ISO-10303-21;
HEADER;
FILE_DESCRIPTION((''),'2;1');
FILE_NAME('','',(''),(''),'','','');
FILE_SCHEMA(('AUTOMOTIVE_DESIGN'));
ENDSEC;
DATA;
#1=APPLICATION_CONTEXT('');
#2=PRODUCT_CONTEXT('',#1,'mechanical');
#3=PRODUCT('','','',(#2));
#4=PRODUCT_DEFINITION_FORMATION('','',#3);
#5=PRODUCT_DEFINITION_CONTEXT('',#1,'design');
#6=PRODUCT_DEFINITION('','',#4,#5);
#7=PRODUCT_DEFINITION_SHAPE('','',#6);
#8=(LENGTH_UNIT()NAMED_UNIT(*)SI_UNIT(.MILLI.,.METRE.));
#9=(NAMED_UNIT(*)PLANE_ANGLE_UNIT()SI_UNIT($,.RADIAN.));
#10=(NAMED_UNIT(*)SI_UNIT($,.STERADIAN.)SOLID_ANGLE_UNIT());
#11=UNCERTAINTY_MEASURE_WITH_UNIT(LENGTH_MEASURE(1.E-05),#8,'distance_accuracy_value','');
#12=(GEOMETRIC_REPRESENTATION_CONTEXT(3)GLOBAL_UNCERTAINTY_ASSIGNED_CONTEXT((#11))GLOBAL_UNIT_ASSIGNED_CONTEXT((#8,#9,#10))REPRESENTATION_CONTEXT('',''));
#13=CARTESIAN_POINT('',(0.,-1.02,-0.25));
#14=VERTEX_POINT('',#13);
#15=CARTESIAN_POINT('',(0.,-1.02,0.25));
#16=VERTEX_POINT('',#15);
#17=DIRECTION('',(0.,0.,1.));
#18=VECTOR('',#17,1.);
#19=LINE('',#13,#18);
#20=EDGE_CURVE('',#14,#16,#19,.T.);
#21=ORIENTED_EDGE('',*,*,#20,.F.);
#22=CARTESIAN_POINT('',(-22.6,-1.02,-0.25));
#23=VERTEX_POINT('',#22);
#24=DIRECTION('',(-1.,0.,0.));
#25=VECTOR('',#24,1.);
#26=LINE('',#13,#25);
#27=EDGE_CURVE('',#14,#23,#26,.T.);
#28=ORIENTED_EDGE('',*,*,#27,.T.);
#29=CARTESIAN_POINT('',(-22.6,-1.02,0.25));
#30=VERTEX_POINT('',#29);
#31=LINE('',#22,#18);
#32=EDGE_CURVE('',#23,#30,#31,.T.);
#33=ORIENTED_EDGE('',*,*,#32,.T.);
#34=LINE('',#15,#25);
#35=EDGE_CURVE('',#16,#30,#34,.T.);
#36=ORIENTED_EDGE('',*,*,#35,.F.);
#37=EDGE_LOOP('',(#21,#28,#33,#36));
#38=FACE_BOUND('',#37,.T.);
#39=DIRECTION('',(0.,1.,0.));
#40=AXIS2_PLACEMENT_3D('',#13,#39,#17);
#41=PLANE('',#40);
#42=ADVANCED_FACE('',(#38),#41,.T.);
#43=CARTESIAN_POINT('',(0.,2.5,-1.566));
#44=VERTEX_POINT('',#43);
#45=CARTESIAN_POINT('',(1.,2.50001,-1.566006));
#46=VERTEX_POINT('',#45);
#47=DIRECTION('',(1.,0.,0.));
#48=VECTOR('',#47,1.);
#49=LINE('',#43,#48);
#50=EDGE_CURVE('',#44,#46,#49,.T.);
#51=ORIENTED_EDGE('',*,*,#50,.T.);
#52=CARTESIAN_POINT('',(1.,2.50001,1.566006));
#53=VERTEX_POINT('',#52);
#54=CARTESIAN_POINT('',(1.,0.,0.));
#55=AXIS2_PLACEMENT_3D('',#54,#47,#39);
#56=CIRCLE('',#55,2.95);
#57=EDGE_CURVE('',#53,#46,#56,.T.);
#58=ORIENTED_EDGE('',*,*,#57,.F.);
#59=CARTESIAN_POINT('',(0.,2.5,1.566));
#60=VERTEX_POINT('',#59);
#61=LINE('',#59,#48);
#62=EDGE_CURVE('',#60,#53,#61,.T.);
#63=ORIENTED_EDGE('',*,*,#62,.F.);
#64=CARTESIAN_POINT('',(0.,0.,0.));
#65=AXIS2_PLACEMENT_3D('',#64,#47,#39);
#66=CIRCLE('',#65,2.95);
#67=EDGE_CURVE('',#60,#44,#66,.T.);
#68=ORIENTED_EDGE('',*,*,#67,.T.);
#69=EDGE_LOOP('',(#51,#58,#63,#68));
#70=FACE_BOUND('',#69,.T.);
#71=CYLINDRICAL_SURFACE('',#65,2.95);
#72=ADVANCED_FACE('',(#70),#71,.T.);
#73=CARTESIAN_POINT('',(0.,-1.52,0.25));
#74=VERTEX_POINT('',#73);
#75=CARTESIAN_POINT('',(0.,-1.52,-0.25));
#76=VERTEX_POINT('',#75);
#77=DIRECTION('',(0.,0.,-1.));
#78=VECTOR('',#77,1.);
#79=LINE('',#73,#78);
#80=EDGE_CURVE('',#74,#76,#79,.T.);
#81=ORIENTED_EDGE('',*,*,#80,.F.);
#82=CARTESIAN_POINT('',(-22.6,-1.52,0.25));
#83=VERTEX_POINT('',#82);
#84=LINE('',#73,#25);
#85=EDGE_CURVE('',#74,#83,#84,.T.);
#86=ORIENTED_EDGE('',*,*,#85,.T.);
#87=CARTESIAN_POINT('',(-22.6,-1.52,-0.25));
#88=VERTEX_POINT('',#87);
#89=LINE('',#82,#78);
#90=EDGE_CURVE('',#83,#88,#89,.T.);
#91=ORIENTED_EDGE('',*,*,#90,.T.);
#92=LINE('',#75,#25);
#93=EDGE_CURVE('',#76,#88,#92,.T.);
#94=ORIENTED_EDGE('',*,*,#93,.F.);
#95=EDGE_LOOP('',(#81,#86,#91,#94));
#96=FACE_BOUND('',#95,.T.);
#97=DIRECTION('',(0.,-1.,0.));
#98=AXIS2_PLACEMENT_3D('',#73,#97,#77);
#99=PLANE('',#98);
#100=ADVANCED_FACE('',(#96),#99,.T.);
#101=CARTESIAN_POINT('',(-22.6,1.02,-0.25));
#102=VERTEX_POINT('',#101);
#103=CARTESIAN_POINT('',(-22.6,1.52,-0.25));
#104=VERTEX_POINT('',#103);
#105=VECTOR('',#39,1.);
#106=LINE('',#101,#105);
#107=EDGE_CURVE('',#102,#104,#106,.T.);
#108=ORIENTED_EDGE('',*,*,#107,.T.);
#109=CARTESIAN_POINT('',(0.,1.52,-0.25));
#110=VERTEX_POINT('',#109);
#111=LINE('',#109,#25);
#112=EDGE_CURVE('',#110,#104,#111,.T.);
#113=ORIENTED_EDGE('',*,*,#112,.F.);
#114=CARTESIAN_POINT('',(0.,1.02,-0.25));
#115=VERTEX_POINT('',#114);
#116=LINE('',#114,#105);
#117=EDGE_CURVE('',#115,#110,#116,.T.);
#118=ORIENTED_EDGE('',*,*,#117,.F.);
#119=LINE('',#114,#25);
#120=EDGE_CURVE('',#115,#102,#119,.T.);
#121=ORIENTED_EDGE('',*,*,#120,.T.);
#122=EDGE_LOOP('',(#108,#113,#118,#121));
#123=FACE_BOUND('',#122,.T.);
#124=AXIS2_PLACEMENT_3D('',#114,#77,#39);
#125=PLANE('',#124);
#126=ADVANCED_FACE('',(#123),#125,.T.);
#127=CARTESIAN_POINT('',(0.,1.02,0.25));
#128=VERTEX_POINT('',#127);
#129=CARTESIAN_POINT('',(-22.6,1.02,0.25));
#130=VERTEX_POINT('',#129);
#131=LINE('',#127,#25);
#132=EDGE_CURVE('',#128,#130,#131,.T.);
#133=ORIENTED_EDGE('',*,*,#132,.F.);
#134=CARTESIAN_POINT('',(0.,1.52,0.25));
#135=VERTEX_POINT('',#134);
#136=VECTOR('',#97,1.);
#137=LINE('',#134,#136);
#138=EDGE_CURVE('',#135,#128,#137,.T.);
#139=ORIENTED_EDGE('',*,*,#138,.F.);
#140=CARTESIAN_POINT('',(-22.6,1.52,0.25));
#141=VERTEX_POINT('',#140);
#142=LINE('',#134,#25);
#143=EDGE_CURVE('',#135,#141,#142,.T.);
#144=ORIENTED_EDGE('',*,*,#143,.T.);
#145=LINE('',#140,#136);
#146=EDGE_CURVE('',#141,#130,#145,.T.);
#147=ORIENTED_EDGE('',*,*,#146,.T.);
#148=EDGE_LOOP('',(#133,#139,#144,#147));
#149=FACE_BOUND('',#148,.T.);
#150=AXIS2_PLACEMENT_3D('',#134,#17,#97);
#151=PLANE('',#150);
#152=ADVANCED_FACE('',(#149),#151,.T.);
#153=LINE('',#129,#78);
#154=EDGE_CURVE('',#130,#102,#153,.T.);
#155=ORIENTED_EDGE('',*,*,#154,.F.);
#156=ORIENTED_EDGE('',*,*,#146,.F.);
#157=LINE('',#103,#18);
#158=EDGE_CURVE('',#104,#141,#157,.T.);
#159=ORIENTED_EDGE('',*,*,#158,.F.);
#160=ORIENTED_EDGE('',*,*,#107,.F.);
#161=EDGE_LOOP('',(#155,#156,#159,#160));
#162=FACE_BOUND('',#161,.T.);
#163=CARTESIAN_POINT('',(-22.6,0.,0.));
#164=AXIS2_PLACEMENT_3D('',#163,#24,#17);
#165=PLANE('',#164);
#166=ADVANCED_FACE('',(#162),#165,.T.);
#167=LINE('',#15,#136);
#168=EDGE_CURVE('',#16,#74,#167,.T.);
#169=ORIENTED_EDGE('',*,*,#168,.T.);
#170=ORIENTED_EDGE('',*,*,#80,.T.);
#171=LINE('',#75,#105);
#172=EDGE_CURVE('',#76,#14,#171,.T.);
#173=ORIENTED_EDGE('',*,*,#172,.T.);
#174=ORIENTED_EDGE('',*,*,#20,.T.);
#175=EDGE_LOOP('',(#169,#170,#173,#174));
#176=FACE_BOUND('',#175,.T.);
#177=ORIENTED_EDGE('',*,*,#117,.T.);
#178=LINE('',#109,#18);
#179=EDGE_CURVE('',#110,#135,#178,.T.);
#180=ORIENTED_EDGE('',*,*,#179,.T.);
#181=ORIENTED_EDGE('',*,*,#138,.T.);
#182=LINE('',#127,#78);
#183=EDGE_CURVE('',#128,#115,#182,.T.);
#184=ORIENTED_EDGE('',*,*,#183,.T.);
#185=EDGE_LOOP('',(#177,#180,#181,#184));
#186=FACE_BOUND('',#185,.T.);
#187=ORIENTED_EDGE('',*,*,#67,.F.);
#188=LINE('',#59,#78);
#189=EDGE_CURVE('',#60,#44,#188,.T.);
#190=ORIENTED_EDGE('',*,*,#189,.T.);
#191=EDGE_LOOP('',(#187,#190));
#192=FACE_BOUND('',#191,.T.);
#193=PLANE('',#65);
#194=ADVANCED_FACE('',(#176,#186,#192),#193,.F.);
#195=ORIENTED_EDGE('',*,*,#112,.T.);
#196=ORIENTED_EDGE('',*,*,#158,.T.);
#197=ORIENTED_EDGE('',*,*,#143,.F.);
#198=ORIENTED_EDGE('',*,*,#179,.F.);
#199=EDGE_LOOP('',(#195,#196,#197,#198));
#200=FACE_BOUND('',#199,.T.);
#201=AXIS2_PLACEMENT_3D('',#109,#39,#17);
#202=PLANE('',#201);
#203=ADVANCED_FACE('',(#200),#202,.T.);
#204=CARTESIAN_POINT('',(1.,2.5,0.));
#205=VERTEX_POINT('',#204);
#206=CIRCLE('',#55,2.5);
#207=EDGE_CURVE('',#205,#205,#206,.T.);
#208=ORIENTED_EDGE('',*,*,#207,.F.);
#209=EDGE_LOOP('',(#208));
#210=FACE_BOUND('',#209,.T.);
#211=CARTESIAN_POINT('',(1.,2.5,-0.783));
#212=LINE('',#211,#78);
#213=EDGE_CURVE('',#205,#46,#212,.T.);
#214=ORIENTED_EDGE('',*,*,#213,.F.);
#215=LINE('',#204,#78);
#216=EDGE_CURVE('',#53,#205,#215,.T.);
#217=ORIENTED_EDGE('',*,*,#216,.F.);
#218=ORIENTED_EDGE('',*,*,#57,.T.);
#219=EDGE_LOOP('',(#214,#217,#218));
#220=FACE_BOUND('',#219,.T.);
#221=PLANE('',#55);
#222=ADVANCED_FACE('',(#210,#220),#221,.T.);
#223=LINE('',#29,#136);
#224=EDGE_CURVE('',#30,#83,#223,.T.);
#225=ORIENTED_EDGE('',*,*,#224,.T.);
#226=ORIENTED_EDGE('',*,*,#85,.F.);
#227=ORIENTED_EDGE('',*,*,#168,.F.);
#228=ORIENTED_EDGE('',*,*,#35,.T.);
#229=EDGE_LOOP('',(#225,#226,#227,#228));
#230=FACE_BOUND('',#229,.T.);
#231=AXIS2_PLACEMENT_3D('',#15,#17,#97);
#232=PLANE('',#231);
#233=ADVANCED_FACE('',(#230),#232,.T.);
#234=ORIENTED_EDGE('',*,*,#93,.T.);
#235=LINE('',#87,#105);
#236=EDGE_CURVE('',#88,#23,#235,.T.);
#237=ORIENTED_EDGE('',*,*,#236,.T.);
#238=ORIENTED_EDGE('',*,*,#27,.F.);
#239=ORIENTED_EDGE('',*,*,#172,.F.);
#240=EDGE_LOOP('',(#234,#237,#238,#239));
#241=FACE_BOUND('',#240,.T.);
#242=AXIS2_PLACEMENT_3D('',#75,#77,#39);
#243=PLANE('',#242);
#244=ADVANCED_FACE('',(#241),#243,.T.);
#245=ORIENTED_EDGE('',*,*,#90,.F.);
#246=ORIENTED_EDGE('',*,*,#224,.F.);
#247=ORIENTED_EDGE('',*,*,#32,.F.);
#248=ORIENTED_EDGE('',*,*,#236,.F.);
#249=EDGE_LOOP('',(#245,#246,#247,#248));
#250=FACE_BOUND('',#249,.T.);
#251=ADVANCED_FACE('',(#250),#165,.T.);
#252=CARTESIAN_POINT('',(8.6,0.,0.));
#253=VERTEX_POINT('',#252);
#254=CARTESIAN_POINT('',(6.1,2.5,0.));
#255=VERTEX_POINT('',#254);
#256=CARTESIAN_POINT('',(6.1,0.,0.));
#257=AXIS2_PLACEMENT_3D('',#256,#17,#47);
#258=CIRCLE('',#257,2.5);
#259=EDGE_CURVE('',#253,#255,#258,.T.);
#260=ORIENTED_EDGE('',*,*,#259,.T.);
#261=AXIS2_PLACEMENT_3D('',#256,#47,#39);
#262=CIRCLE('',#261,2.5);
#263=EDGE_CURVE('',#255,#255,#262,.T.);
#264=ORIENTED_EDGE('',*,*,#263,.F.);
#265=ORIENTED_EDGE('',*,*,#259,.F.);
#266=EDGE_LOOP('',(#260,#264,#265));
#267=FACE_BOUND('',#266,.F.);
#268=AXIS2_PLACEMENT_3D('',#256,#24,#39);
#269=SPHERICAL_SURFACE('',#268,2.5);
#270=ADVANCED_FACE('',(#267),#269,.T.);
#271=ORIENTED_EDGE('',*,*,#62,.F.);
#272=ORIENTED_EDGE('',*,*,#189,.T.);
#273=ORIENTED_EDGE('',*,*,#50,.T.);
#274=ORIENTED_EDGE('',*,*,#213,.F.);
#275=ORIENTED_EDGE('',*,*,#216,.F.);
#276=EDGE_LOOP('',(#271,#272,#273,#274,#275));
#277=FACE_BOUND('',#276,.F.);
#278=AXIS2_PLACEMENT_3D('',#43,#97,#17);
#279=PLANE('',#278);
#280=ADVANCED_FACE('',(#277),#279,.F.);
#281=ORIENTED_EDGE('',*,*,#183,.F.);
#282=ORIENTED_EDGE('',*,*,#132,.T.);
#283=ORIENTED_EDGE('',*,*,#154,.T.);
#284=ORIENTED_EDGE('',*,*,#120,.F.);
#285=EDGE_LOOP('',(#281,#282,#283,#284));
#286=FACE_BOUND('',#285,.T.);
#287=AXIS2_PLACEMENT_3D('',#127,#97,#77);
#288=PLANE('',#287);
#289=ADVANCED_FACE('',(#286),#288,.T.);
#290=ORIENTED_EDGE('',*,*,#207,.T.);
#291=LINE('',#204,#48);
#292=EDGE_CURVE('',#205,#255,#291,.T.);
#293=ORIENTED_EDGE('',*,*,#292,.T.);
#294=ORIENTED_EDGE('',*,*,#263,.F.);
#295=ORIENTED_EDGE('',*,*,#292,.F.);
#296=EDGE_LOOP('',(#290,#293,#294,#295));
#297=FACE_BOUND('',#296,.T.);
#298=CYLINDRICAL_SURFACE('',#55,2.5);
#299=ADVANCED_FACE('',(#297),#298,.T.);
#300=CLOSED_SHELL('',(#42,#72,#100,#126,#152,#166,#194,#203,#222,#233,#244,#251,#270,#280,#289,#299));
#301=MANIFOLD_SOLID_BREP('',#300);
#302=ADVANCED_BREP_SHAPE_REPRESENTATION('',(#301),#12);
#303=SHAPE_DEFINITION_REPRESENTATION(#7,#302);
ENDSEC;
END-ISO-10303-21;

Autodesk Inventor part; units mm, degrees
ref_plane "YZ Plane" through (0, 0, 0) normal (1, 0, 0) x (0, 1, 0)
ref_plane "XZ Plane" through (0, 0, 0) normal (0, 1, 0) x (-1, 0, 0)
ref_plane "XY Plane" through (0, 0, 0) normal (0, 0, 1) x (1, 0, 0)
sketch "Sketch1" plane through (0, 0, 0) normal (0, 0, 1) x (1, 0, 0)
  line L0 (-33.5517, 0) -> (33.5517, 0)
  line L1 (0, 0) -> (0, 2.95)
  line L2 (0, 2.95) -> (1, 2.95)
  line L3 (1, 2.95) -> (1, 2.5)
  line L4 (1, 2.5) -> (6.1, 2.5)
  arc A0 (8.6, 0) -> (6.1, 2.5) centre (6.1, 0) ccw
  line L5 (8.6, 0) -> (0, 0)
  dimension "d1" = 2.95
  dimension "d2" = 1
  dimension "d3" = 5
  dimension "d4" = 8.6
  dimension "d5" = 2.5
revolve "Revolution1" add sketch "Sketch1" angle 360 about axis through (-33.5517, 0, 0) along (1, 0, 0)
sketch "Sketch2" plane through (0, 0, 0) normal (-1, 0, 0) x (0, 0, 1)
  circle A0 centre (0, 0) radius 2.95 projected
  line L0 (-0.25, 1.52) -> (0.25, 1.52)
  line L1 (0.25, 1.52) -> (0.25, 1.02)
  line L2 (0.25, 1.02) -> (-0.25, 1.02)
  line L3 (-0.25, 1.02) -> (-0.25, 1.52)
  line L4 (-0.25, -1.02) -> (0.25, -1.02)
  line L5 (0.25, -1.02) -> (0.25, -1.52)
  line L6 (0.25, -1.52) -> (-0.25, -1.52)
  line L7 (-0.25, -1.52) -> (-0.25, -1.02)
  line L8 (-0.25, 1.27) -> (0.25, 1.27) construction
  line L9 (-0.25, -1.27) -> (0.25, -1.27) construction
  point P0 (0, 1.52)
  point P1 (0, -1.02)
  dimension "d7" = 0.5
  dimension "d8" = 0.5
  dimension "d9" = 1.27
  dimension "d10" = 1.27
extrude "Extrusion1" add sketch "Sketch2" along normal blind 22.6 contours L0 L1 L2 L3 | L4 L5 L6 L7
sketch "Sketch4" plane through (0, 0, 0) normal (-1, 0, 0) x (0, 0, 1)
  line L0 (-0.25, 1.52) -> (0.25, 1.52) projected
  circle A0 centre (0, 0) radius 2.95 projected
  circle A1 centre (0, 0) radius 2.5 projected
  line L1 (-1.566, 2.5) -> (1.566, 2.5)
  point P0 (0, 2.5)
extrude "Extrusion2" cut sketch "Sketch4" against normal through all contours L1 A0 picked at (-0.846, 2.5951)
sketch "Sketch3" plane through (-22.6, 0, 0) normal (-1, 0, 0) x (0, 0, 1)
  line L0 (0.25, 1.52) -> (0.25, 1.02) projected
  line L1 (-0.25, 1.52) -> (0.25, 1.52) projected
  line L2 (-0.25, 1.02) -> (-0.25, 1.52) projected
  line L3 (0.25, 1.02) -> (-0.25, 1.02) projected
  line L4 (0.25, -1.02) -> (0.25, -1.52) projected
  line L5 (-0.25, -1.02) -> (0.25, -1.02) projected
  line L6 (-0.25, -1.52) -> (-0.25, -1.02) projected
  line L7 (0.25, -1.52) -> (-0.25, -1.52) projected
  point P0 (0, 0)
  point P1 (0, 1.27)
  point P2 (0, -1.27)
  point P3 (-0.25, 1.27)
  point P4 (-0.25, -1.27)
equation "\"d10\" = d9"
equation "\"Lead_solder\" = 1"
properties part number "LED 5mm Red height 1-20mm"
